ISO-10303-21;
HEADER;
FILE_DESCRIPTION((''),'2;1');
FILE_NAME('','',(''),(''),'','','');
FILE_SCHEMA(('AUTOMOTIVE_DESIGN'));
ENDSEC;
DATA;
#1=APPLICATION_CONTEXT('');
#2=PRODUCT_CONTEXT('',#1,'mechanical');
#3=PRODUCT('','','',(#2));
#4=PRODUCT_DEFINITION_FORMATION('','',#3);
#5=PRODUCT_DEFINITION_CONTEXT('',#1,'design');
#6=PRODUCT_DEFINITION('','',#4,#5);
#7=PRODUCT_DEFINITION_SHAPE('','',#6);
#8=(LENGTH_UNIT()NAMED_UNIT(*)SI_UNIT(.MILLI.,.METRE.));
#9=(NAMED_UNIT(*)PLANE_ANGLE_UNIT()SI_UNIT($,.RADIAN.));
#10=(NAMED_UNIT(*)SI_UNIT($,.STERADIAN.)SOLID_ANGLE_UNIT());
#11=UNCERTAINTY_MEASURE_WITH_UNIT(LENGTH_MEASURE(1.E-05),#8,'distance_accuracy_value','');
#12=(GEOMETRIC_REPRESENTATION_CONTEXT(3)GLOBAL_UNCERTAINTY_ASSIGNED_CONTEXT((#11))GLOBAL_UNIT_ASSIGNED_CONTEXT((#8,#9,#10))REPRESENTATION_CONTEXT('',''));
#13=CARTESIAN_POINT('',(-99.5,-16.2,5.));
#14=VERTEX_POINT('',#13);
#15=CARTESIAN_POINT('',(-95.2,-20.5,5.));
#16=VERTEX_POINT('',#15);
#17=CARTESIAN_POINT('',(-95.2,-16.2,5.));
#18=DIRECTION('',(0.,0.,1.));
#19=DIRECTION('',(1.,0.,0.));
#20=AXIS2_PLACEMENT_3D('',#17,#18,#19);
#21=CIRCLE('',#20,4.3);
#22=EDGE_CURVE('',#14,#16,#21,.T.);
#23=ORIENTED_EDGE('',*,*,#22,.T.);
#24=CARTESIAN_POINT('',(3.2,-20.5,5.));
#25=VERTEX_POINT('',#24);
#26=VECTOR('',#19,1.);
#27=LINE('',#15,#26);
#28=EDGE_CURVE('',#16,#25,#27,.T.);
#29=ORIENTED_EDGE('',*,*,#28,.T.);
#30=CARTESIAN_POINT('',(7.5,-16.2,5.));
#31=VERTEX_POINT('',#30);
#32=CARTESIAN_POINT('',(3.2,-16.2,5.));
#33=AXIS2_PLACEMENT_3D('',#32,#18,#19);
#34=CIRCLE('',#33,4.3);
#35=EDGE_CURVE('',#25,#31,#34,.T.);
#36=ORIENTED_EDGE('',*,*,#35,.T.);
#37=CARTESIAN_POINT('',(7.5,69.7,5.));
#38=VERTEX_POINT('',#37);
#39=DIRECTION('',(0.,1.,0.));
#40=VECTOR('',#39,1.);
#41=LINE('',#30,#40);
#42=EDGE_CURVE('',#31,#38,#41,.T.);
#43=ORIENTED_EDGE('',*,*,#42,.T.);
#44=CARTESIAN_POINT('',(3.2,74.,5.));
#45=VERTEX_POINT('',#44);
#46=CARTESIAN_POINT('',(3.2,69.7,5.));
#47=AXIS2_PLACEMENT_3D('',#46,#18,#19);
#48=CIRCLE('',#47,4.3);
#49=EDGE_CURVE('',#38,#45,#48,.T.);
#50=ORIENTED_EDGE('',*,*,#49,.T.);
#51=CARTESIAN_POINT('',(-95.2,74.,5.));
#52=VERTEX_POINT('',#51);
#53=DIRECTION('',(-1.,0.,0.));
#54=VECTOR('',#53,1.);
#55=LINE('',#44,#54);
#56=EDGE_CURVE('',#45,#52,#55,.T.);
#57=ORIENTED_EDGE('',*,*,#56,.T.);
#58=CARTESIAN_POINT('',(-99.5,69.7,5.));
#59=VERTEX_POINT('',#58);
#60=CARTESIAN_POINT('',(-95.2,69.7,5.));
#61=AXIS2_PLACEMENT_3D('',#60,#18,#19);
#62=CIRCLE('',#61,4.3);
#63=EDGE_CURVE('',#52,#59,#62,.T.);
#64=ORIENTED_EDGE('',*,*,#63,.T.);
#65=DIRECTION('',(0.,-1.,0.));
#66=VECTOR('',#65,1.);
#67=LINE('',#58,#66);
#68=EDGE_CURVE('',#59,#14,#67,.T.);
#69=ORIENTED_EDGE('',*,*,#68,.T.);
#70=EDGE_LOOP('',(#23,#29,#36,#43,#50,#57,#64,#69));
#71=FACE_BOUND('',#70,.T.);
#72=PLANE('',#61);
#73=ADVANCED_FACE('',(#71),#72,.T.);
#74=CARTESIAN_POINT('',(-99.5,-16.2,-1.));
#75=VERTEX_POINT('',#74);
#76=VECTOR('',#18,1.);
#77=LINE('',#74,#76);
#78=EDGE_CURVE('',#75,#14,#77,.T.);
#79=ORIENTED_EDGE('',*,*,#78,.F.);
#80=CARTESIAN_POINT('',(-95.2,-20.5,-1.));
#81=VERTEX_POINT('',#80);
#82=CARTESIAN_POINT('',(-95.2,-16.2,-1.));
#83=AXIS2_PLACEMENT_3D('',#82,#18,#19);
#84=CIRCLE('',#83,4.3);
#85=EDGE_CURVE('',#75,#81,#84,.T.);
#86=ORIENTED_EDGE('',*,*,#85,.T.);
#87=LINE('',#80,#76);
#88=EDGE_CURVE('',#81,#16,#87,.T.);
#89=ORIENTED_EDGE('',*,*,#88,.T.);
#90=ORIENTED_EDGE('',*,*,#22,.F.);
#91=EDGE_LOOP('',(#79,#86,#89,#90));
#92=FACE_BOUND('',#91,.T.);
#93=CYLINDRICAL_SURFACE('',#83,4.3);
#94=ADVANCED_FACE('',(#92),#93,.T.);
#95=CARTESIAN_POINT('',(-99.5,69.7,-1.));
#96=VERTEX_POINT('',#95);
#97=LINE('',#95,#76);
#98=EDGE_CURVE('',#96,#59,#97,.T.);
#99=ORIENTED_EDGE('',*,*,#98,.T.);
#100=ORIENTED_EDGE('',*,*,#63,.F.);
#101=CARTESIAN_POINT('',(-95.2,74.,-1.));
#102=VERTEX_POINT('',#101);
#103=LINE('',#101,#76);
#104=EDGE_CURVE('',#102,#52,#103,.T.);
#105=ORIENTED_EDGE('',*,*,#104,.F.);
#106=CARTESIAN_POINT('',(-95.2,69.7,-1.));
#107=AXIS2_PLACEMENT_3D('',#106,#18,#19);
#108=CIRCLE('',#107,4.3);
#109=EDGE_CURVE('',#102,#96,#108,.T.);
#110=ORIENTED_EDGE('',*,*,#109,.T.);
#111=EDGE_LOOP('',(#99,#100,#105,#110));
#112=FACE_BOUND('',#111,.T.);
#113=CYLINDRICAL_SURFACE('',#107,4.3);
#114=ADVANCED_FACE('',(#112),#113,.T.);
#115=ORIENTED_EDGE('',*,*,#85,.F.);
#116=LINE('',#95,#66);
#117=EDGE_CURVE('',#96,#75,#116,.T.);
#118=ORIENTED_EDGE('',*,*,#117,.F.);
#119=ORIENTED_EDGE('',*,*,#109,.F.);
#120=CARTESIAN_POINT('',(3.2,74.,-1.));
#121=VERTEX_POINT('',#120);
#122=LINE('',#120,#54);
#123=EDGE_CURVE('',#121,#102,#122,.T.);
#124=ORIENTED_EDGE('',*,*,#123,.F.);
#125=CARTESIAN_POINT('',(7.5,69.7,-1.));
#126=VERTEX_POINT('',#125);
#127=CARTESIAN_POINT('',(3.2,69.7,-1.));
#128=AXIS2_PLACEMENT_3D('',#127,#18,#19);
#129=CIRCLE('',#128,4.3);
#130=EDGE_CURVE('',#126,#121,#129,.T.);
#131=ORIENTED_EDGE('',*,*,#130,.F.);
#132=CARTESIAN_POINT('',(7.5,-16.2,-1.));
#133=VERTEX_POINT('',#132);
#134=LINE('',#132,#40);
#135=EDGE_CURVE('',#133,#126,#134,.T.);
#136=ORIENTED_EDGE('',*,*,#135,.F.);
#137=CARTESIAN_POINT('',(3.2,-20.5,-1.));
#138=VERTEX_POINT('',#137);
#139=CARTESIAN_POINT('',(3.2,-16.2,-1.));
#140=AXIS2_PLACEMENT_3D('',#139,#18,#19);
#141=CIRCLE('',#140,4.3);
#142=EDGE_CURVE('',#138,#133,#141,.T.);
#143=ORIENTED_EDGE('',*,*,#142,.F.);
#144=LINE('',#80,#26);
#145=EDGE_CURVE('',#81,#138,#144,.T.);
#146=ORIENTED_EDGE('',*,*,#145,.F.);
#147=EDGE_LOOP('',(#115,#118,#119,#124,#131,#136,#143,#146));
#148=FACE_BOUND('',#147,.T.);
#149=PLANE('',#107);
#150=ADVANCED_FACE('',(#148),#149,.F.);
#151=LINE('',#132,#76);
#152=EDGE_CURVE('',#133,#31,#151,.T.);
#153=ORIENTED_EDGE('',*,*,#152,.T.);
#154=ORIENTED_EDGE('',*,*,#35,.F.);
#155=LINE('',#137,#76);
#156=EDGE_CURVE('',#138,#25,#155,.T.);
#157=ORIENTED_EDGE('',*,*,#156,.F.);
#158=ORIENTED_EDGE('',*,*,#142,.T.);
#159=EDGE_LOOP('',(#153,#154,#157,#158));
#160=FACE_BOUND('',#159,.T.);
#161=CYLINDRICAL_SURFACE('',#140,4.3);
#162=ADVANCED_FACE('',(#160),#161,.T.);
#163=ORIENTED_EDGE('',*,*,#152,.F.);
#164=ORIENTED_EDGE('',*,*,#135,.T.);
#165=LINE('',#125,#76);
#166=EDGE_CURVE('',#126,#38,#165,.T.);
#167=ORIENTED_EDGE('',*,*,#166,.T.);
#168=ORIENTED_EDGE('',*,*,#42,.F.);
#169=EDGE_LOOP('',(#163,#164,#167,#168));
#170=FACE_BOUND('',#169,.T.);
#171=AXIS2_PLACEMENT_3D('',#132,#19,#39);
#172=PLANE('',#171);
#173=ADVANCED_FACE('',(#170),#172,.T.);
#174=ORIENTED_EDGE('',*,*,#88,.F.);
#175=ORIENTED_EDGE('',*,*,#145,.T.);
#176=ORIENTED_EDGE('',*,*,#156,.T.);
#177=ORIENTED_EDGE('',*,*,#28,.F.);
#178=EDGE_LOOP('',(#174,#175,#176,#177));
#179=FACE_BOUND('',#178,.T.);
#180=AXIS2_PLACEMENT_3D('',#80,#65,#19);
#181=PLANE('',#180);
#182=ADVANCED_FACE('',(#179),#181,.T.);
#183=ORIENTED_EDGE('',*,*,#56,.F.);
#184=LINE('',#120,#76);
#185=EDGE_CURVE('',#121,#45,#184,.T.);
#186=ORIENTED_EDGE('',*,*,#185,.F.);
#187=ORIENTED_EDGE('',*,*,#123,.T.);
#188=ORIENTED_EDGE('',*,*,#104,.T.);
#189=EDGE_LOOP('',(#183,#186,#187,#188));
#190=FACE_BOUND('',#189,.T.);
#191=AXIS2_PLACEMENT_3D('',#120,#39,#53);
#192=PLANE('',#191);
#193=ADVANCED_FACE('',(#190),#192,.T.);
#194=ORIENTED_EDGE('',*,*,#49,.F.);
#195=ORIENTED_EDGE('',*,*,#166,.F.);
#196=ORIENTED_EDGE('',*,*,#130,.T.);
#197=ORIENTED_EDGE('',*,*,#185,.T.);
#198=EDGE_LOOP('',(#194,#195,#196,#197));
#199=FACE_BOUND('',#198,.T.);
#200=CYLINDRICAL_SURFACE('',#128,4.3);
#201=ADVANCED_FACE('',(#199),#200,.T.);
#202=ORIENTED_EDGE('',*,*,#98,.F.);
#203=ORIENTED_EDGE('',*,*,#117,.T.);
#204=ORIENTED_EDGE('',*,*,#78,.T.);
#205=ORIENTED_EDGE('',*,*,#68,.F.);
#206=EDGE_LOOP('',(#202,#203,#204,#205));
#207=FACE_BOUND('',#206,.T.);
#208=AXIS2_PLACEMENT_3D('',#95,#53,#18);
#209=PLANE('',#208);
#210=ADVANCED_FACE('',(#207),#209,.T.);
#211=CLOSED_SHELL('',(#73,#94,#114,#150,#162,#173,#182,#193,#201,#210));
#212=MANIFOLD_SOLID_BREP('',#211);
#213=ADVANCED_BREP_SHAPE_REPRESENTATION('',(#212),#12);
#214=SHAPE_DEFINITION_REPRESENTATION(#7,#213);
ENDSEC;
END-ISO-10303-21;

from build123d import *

# Parameters (mm, degrees)
BOSS_EXTRUDE3_DEPTH = 5
BOSS_EXTRUDE5_DEPTH = 6


with BuildPart() as part:
    # Sketch3 → Boss-Extrude3 (new body)
    with BuildSketch(Plane.XY):
        with BuildLine():
            Line((-97.5, 69.7), (-97.5, -16.2))
            ThreePointArc((-97.5, -16.2), (-96.826345597, -17.826345597), (-95.2, -18.5))
            Line((-95.2, -18.5), (3.2, -18.5))
            ThreePointArc((3.2, -18.5), (4.826345597, -17.826345597), (5.5, -16.2))
            Line((5.5, -16.2), (5.5, 69.7))
            ThreePointArc((5.5, 69.7), (4.826345597, 71.326345597), (3.2, 72))
            Line((3.2, 72), (-95.2, 72))
            ThreePointArc((-95.2, 72), (-96.826345597, 71.326345597), (-97.5, 69.7))
        make_face()
    extrude(amount=BOSS_EXTRUDE3_DEPTH)

    # Sketch4 → Boss-Extrude5 (add)
    with BuildSketch(Plane.XY.offset(5)):
        with BuildLine():
            Line((-99.5, 69.7), (-99.5, -16.2))
            ThreePointArc((-99.5, -16.2), (-98.240559159, -19.240559159), (-95.2, -20.5))
            Line((-95.2, -20.5), (3.2, -20.5))
            ThreePointArc((3.2, -20.5), (6.240559159, -19.240559159), (7.5, -16.2))
            Line((7.5, -16.2), (7.5, 69.7))
            ThreePointArc((7.5, 69.7), (6.240559159, 72.740559159), (3.2, 74))
            Line((3.2, 74), (-95.2, 74))
            ThreePointArc((-95.2, 74), (-98.240559159, 72.740559159), (-99.5, 69.7))
        make_face()
    extrude(amount=-BOSS_EXTRUDE5_DEPTH)


solid = part.part
